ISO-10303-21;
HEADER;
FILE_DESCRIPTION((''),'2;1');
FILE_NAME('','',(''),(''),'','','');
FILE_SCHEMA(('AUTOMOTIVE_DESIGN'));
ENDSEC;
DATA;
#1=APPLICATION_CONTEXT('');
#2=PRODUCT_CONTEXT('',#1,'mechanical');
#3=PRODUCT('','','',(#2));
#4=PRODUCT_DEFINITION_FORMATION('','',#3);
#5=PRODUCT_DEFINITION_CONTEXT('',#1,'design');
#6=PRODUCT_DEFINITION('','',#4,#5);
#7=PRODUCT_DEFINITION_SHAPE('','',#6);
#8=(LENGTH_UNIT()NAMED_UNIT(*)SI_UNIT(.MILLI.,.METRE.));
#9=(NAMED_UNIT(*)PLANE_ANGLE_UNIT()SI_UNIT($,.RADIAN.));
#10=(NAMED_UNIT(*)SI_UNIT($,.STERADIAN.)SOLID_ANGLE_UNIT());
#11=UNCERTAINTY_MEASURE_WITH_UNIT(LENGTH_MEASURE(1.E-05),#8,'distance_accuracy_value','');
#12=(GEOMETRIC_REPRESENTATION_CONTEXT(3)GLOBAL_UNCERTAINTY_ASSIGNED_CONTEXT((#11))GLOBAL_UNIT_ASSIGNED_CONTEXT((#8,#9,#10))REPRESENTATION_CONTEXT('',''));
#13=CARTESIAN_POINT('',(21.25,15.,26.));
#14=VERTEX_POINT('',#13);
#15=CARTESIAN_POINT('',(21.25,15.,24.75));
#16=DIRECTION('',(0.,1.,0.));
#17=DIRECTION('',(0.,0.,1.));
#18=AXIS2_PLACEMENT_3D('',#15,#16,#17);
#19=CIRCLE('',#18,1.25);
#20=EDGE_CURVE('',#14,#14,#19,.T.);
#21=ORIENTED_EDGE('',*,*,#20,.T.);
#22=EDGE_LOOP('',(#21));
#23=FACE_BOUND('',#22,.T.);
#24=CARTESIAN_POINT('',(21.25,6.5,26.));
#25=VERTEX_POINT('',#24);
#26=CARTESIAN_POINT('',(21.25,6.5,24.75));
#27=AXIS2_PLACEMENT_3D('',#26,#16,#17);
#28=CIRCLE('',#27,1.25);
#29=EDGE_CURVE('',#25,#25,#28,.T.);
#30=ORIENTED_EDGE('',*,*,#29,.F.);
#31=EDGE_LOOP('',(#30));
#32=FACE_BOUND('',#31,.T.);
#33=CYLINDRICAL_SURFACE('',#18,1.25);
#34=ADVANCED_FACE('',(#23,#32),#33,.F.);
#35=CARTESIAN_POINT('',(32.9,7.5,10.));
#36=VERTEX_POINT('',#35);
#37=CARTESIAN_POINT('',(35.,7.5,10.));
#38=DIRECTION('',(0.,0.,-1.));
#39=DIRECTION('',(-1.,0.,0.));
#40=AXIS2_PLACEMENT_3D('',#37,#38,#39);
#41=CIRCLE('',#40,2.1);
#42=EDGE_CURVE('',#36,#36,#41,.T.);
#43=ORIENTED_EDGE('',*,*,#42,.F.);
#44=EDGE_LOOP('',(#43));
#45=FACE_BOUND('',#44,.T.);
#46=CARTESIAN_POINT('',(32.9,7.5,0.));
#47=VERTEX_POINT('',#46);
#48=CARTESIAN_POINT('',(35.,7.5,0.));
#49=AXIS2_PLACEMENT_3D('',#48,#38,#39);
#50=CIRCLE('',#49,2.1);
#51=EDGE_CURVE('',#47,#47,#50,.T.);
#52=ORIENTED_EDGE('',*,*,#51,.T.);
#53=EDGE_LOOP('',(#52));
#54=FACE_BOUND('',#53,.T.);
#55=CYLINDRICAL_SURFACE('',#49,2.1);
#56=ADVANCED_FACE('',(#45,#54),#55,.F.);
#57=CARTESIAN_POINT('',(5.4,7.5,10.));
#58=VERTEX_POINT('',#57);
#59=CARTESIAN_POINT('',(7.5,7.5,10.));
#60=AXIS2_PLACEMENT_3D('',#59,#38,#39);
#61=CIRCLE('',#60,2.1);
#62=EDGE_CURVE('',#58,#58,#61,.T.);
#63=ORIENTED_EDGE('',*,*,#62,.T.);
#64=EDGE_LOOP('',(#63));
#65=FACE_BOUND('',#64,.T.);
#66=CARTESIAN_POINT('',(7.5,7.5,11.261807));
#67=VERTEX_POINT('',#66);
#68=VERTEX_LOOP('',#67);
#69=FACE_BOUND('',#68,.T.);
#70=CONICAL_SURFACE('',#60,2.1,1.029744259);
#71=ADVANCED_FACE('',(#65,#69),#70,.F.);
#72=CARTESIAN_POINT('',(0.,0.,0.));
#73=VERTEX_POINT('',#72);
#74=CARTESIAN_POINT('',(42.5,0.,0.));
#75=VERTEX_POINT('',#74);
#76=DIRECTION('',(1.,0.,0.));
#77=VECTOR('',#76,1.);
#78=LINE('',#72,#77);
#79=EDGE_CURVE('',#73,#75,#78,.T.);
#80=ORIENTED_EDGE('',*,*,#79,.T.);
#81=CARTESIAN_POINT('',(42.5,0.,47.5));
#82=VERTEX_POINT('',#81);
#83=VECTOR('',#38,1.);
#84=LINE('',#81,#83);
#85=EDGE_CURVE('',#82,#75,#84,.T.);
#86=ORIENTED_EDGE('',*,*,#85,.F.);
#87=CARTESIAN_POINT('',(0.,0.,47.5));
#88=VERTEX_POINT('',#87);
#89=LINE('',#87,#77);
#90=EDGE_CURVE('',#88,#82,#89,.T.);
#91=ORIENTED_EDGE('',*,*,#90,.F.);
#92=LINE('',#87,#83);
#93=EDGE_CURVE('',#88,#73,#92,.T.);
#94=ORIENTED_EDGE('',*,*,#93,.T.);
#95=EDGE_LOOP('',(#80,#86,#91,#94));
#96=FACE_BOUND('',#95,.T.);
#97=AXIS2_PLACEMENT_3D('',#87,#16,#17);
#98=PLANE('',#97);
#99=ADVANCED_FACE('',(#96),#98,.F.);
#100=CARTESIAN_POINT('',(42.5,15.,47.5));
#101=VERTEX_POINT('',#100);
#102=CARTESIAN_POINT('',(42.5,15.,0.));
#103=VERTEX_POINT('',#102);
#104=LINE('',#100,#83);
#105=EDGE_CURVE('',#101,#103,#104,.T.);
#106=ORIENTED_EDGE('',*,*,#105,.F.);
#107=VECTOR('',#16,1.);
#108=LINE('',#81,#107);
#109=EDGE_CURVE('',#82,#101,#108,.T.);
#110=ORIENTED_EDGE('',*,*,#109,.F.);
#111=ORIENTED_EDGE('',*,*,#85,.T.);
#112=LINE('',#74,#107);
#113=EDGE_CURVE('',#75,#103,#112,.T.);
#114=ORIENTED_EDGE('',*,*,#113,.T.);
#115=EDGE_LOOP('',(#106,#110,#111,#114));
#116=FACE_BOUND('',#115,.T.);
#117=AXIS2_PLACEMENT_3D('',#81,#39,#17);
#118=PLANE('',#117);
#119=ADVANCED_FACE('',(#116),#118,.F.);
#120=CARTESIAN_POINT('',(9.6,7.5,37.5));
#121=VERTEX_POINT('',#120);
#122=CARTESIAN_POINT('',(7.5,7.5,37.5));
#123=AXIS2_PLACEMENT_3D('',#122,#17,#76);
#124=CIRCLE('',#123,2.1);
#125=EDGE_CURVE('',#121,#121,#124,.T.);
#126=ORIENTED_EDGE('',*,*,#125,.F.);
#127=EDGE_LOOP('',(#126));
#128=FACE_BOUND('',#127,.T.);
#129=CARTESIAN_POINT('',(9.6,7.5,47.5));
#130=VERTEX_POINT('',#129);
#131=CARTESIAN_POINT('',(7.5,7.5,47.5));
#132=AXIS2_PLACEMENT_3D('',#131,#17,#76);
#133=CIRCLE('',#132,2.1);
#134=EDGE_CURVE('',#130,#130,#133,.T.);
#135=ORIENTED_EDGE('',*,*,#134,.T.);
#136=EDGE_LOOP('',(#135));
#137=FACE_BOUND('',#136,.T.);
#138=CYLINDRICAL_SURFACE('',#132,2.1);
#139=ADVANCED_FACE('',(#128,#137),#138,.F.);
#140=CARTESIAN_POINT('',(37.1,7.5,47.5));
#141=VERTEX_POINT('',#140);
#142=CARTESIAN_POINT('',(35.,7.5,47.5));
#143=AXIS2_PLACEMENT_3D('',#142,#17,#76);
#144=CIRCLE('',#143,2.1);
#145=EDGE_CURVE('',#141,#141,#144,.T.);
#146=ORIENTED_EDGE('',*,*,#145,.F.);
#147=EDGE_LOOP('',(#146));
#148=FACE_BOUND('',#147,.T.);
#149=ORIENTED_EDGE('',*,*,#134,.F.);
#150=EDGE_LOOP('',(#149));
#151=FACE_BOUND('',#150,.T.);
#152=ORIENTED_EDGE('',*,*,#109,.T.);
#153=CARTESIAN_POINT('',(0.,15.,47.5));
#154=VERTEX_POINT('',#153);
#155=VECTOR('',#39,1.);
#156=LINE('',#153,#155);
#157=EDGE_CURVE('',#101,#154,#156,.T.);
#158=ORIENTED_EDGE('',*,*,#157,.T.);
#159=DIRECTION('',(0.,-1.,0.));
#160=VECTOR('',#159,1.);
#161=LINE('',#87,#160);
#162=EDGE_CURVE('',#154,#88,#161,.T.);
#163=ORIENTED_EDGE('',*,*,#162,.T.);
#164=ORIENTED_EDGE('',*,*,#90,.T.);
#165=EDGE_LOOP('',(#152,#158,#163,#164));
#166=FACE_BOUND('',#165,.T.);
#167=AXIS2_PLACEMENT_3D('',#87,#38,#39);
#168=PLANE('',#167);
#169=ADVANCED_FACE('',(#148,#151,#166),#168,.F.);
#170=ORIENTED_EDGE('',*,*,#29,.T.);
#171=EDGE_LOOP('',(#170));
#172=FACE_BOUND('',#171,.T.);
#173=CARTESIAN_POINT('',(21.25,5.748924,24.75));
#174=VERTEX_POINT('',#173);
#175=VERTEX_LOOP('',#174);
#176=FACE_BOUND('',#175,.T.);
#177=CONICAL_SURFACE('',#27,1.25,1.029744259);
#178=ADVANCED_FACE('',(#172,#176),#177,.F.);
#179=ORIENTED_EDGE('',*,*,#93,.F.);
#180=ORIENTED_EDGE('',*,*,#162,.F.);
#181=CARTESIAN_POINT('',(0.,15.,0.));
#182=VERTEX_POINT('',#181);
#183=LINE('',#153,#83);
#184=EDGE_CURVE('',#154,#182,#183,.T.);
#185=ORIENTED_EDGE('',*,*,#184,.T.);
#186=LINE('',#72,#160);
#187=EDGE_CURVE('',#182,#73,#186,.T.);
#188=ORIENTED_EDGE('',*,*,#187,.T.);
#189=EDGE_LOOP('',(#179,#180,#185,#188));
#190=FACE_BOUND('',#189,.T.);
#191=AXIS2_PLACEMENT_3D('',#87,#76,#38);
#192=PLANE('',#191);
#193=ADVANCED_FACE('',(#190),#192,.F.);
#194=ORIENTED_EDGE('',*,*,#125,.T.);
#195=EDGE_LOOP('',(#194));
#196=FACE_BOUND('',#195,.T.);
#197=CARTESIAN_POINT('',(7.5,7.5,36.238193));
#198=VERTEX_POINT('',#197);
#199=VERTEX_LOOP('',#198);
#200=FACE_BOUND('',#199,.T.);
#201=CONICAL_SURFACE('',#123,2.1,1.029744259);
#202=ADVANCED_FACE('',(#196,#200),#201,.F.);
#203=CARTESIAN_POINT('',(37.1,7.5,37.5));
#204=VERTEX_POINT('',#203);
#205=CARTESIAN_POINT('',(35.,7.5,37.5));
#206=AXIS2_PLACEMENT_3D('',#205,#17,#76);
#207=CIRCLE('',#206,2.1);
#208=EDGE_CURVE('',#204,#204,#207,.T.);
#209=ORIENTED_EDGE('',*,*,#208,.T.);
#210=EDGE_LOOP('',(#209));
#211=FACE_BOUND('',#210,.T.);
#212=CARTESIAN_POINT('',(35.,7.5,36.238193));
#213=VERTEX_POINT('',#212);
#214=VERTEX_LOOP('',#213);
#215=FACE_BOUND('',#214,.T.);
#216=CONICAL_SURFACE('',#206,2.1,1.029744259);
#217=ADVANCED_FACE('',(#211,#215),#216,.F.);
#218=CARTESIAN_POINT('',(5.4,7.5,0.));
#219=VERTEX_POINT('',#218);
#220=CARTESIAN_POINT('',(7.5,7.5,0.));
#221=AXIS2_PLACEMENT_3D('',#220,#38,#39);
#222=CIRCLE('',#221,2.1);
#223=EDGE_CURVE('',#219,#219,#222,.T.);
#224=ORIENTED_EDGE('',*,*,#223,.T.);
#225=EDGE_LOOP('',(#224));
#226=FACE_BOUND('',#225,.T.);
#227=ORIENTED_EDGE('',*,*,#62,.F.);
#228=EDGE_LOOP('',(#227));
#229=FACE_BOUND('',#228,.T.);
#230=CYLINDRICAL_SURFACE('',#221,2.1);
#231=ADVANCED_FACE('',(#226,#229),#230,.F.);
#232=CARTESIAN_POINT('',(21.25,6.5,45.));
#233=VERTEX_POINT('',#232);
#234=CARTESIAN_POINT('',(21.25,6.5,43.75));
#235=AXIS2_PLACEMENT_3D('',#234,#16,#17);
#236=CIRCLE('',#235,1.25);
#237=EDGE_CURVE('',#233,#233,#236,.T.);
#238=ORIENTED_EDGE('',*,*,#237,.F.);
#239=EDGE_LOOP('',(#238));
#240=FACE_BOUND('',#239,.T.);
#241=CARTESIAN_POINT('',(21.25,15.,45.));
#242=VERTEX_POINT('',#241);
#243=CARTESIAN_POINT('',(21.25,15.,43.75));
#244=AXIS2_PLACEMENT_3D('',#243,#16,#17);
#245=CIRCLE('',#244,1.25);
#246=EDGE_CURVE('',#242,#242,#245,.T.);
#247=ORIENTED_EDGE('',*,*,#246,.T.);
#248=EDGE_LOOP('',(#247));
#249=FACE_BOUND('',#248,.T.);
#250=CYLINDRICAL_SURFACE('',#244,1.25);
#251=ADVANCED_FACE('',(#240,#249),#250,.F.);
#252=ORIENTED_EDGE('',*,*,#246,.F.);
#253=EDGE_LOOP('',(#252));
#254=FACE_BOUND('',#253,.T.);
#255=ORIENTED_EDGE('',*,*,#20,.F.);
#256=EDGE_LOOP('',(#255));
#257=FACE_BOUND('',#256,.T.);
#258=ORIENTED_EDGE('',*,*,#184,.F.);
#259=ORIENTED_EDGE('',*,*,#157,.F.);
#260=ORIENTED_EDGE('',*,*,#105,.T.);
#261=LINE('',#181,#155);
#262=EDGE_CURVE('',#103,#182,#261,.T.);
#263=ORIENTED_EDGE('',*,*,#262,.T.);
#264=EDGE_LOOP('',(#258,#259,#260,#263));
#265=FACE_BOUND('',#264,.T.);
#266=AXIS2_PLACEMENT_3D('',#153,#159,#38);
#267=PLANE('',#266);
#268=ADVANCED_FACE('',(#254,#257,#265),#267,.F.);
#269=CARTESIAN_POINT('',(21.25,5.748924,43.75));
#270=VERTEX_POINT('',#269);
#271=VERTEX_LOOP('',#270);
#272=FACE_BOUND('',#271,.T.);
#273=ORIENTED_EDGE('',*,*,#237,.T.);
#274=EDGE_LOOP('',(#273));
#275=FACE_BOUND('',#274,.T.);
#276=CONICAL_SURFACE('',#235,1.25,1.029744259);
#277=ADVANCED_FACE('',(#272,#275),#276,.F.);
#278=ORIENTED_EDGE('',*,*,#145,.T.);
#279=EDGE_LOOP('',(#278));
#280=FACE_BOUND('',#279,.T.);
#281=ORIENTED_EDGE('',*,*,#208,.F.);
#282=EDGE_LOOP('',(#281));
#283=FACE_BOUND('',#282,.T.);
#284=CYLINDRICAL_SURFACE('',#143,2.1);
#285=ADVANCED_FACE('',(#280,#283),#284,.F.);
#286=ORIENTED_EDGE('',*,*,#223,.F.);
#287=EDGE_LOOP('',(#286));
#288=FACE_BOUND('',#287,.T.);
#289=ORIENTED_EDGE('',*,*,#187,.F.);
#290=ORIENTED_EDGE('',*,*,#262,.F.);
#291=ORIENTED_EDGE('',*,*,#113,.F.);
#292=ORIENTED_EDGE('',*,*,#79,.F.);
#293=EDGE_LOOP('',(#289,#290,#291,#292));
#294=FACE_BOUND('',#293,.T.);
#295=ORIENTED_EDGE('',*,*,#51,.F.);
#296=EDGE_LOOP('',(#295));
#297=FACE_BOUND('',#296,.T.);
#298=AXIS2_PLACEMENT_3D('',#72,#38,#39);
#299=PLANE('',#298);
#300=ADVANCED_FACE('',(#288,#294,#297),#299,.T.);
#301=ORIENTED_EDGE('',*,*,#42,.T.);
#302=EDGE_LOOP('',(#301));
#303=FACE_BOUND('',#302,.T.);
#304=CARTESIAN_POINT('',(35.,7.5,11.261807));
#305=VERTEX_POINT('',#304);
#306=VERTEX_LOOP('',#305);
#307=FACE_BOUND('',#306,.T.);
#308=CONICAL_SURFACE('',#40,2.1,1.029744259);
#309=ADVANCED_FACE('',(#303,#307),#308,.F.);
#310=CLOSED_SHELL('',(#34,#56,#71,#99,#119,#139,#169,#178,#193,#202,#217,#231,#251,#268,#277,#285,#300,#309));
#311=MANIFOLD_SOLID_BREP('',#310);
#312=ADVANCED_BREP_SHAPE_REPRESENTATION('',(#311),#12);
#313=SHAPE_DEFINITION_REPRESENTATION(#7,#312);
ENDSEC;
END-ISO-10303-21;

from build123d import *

# Parameters (mm, degrees)
SKIZZE1_W                       = 42.5
SKIZZE1_H                       = 15
AUFSATZ_LINEAR_AUSTRAGEN1_DEPTH = 47.5
M5_GEWINDEBOHRUNG1_D            = 4.2
M5_GEWINDEBOHRUNG1_DEPTH        = 10
M5_GEWINDEBOHRUNG1_TIP          = 1.2618073
M5_GEWINDEBOHRUNG2_D            = 4.2
M5_GEWINDEBOHRUNG2_DEPTH        = 10
M5_GEWINDEBOHRUNG2_TIP          = 1.2618073
M3_GEWINDEBOHRUNG1_D            = 2.5
M3_GEWINDEBOHRUNG1_DEPTH        = 8.5
M3_GEWINDEBOHRUNG1_TIP          = 0.751075774


with BuildPart() as part:
    # Skizze1 → Aufsatz-Linear austragen1 (new body)
    with BuildSketch(Plane.XY):
        with Locations((21.25, 7.5)):
            Rectangle(SKIZZE1_W, SKIZZE1_H)
    extrude(amount=AUFSATZ_LINEAR_AUSTRAGEN1_DEPTH)

    # M5 Gewindebohrung1
    with Locations(Plane(origin=(0, 0, 0), x_dir=(-1, 0, 0), z_dir=(0, 0, -1))):
        with Locations((-7.5, 7.5), (-35, 7.5)):
            Hole(M5_GEWINDEBOHRUNG1_D / 2, depth=M5_GEWINDEBOHRUNG1_DEPTH)
            with Locations((0, 0, -(M5_GEWINDEBOHRUNG1_DEPTH + M5_GEWINDEBOHRUNG1_TIP / 2))):  # 118° drill point
                Cone(0, M5_GEWINDEBOHRUNG1_D / 2, M5_GEWINDEBOHRUNG1_TIP, mode=Mode.SUBTRACT)

    # M5 Gewindebohrung2
    with Locations(Plane(origin=(7.5, 7.5, 47.5), x_dir=(1, 0, 0), z_dir=(0, 0, 1))):
        with Locations((0, 0), (27.5, 0)):
            Hole(M5_GEWINDEBOHRUNG2_D / 2, depth=M5_GEWINDEBOHRUNG2_DEPTH)
            with Locations((0, 0, -(M5_GEWINDEBOHRUNG2_DEPTH + M5_GEWINDEBOHRUNG2_TIP / 2))):  # 118° drill point
                Cone(0, M5_GEWINDEBOHRUNG2_D / 2, M5_GEWINDEBOHRUNG2_TIP, mode=Mode.SUBTRACT)

    # M3 Gewindebohrung1
    with Locations(Plane(origin=(21.25, 15, 43.75), x_dir=(0, 0, 1), z_dir=(0, 1, 0))):
        with Locations((0, 0), (-19, 0)):
            Hole(M3_GEWINDEBOHRUNG1_D / 2, depth=M3_GEWINDEBOHRUNG1_DEPTH)
            with Locations((0, 0, -(M3_GEWINDEBOHRUNG1_DEPTH + M3_GEWINDEBOHRUNG1_TIP / 2))):  # 118° drill point
                Cone(0, M3_GEWINDEBOHRUNG1_D / 2, M3_GEWINDEBOHRUNG1_TIP, mode=Mode.SUBTRACT)


solid = part.part
